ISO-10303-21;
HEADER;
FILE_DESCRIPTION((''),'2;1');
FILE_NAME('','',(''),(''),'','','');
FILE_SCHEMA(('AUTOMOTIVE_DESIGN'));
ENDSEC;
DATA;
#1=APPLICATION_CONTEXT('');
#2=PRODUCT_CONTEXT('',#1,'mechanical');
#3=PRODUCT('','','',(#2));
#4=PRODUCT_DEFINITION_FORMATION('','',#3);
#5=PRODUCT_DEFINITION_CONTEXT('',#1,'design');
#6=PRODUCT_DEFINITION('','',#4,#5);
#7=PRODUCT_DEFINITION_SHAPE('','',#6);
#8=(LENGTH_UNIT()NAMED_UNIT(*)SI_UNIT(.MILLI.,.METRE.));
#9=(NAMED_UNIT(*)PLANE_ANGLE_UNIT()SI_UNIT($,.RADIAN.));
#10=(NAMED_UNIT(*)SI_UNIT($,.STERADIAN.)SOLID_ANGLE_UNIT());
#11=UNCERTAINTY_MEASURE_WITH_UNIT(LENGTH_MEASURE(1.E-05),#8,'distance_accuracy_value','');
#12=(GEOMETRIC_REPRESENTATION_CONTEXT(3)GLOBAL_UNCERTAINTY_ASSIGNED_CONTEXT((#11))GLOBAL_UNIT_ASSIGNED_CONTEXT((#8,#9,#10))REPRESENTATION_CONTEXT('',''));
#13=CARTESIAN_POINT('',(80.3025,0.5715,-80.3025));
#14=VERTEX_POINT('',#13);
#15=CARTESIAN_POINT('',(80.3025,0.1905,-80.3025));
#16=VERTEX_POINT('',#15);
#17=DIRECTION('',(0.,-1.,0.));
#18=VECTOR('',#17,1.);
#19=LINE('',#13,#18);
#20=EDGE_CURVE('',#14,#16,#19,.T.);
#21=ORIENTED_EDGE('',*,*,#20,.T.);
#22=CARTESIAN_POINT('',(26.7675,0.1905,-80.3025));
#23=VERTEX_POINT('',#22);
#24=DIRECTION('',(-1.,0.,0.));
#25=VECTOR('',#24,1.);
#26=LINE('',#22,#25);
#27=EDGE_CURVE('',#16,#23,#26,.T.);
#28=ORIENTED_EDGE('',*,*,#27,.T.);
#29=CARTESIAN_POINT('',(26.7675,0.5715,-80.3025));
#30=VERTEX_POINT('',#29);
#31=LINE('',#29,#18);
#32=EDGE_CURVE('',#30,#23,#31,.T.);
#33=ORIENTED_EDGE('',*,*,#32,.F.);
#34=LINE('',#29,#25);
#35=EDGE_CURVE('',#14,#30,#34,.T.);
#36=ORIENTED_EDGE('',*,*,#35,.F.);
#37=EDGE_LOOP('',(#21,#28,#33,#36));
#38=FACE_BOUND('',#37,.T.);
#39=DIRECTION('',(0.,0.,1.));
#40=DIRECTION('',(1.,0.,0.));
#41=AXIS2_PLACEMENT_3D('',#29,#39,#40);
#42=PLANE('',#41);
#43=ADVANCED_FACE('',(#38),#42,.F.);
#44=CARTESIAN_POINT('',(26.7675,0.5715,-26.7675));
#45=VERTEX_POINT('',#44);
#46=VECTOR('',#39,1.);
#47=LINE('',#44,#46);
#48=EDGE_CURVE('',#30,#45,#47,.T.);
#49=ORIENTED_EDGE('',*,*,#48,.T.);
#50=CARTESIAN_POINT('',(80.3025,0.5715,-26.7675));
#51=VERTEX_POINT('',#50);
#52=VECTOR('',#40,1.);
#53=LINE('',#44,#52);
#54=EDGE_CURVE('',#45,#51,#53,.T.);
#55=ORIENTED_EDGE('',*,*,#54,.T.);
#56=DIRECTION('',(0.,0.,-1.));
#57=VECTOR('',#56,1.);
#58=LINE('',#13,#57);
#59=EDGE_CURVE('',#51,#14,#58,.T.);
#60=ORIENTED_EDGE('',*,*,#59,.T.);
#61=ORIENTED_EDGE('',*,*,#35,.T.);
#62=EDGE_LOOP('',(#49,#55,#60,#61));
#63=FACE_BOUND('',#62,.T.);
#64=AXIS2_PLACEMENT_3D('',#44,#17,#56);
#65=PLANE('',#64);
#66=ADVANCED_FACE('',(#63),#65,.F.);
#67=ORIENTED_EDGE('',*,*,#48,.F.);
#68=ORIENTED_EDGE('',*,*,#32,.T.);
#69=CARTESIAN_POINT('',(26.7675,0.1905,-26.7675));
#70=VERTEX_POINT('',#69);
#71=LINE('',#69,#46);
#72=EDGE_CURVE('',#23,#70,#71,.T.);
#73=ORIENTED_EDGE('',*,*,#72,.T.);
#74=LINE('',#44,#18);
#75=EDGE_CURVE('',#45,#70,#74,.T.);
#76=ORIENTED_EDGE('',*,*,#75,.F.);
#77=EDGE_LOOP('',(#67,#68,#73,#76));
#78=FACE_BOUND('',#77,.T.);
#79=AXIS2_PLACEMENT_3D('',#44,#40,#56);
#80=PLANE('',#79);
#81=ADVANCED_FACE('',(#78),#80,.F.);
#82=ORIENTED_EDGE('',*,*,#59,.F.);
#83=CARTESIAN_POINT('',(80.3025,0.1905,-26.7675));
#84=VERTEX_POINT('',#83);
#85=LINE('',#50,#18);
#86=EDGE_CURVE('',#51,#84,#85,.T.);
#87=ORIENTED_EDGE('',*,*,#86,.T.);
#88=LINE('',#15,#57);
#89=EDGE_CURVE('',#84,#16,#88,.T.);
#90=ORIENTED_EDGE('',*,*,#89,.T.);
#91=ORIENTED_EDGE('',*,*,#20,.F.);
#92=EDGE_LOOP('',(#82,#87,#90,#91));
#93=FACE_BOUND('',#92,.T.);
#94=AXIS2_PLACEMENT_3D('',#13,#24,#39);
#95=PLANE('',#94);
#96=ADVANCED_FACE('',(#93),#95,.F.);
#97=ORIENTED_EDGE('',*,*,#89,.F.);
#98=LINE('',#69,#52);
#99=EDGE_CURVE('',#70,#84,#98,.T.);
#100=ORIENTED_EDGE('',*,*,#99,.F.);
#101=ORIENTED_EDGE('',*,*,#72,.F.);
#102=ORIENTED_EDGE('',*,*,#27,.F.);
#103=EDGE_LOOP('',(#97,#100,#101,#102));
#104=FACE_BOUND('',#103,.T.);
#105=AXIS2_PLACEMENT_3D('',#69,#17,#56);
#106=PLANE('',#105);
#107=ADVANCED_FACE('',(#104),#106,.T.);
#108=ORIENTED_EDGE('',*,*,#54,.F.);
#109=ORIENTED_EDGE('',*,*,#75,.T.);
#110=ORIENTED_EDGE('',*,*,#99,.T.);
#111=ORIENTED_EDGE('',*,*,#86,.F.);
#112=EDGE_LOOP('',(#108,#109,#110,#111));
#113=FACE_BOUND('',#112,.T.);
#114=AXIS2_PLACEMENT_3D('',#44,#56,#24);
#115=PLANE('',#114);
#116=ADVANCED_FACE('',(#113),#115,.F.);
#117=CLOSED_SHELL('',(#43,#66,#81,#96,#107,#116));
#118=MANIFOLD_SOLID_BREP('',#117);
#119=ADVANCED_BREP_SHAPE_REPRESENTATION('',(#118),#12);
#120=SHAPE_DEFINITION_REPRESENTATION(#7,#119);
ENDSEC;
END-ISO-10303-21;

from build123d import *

# Parameters (mm, degrees)
SKETCH1_W           = 107.07
SKETCH1_H           = 107.07
BOSS_EXTRUDE1_DEPTH = 0.762
SCALE1_SCALE        = 0.5


with BuildPart() as part:
    # Sketch1 → Boss-Extrude1 (new body)
    with BuildSketch(Plane(origin=(0, 0, 0), x_dir=(1, 0, 0), z_dir=(0, 1, 0))):
        with Locations((53.535, 53.535)):
            Rectangle(SKETCH1_W, SKETCH1_H)
    extrude(amount=BOSS_EXTRUDE1_DEPTH)


with BuildPart() as part_1:
    # Scale1: scaled about (53.535, 0.381, -53.535)
    add(part.part.scale(SCALE1_SCALE).moved(Location((26.7675, 0.1905, -26.7675))))


solid = part_1.part
